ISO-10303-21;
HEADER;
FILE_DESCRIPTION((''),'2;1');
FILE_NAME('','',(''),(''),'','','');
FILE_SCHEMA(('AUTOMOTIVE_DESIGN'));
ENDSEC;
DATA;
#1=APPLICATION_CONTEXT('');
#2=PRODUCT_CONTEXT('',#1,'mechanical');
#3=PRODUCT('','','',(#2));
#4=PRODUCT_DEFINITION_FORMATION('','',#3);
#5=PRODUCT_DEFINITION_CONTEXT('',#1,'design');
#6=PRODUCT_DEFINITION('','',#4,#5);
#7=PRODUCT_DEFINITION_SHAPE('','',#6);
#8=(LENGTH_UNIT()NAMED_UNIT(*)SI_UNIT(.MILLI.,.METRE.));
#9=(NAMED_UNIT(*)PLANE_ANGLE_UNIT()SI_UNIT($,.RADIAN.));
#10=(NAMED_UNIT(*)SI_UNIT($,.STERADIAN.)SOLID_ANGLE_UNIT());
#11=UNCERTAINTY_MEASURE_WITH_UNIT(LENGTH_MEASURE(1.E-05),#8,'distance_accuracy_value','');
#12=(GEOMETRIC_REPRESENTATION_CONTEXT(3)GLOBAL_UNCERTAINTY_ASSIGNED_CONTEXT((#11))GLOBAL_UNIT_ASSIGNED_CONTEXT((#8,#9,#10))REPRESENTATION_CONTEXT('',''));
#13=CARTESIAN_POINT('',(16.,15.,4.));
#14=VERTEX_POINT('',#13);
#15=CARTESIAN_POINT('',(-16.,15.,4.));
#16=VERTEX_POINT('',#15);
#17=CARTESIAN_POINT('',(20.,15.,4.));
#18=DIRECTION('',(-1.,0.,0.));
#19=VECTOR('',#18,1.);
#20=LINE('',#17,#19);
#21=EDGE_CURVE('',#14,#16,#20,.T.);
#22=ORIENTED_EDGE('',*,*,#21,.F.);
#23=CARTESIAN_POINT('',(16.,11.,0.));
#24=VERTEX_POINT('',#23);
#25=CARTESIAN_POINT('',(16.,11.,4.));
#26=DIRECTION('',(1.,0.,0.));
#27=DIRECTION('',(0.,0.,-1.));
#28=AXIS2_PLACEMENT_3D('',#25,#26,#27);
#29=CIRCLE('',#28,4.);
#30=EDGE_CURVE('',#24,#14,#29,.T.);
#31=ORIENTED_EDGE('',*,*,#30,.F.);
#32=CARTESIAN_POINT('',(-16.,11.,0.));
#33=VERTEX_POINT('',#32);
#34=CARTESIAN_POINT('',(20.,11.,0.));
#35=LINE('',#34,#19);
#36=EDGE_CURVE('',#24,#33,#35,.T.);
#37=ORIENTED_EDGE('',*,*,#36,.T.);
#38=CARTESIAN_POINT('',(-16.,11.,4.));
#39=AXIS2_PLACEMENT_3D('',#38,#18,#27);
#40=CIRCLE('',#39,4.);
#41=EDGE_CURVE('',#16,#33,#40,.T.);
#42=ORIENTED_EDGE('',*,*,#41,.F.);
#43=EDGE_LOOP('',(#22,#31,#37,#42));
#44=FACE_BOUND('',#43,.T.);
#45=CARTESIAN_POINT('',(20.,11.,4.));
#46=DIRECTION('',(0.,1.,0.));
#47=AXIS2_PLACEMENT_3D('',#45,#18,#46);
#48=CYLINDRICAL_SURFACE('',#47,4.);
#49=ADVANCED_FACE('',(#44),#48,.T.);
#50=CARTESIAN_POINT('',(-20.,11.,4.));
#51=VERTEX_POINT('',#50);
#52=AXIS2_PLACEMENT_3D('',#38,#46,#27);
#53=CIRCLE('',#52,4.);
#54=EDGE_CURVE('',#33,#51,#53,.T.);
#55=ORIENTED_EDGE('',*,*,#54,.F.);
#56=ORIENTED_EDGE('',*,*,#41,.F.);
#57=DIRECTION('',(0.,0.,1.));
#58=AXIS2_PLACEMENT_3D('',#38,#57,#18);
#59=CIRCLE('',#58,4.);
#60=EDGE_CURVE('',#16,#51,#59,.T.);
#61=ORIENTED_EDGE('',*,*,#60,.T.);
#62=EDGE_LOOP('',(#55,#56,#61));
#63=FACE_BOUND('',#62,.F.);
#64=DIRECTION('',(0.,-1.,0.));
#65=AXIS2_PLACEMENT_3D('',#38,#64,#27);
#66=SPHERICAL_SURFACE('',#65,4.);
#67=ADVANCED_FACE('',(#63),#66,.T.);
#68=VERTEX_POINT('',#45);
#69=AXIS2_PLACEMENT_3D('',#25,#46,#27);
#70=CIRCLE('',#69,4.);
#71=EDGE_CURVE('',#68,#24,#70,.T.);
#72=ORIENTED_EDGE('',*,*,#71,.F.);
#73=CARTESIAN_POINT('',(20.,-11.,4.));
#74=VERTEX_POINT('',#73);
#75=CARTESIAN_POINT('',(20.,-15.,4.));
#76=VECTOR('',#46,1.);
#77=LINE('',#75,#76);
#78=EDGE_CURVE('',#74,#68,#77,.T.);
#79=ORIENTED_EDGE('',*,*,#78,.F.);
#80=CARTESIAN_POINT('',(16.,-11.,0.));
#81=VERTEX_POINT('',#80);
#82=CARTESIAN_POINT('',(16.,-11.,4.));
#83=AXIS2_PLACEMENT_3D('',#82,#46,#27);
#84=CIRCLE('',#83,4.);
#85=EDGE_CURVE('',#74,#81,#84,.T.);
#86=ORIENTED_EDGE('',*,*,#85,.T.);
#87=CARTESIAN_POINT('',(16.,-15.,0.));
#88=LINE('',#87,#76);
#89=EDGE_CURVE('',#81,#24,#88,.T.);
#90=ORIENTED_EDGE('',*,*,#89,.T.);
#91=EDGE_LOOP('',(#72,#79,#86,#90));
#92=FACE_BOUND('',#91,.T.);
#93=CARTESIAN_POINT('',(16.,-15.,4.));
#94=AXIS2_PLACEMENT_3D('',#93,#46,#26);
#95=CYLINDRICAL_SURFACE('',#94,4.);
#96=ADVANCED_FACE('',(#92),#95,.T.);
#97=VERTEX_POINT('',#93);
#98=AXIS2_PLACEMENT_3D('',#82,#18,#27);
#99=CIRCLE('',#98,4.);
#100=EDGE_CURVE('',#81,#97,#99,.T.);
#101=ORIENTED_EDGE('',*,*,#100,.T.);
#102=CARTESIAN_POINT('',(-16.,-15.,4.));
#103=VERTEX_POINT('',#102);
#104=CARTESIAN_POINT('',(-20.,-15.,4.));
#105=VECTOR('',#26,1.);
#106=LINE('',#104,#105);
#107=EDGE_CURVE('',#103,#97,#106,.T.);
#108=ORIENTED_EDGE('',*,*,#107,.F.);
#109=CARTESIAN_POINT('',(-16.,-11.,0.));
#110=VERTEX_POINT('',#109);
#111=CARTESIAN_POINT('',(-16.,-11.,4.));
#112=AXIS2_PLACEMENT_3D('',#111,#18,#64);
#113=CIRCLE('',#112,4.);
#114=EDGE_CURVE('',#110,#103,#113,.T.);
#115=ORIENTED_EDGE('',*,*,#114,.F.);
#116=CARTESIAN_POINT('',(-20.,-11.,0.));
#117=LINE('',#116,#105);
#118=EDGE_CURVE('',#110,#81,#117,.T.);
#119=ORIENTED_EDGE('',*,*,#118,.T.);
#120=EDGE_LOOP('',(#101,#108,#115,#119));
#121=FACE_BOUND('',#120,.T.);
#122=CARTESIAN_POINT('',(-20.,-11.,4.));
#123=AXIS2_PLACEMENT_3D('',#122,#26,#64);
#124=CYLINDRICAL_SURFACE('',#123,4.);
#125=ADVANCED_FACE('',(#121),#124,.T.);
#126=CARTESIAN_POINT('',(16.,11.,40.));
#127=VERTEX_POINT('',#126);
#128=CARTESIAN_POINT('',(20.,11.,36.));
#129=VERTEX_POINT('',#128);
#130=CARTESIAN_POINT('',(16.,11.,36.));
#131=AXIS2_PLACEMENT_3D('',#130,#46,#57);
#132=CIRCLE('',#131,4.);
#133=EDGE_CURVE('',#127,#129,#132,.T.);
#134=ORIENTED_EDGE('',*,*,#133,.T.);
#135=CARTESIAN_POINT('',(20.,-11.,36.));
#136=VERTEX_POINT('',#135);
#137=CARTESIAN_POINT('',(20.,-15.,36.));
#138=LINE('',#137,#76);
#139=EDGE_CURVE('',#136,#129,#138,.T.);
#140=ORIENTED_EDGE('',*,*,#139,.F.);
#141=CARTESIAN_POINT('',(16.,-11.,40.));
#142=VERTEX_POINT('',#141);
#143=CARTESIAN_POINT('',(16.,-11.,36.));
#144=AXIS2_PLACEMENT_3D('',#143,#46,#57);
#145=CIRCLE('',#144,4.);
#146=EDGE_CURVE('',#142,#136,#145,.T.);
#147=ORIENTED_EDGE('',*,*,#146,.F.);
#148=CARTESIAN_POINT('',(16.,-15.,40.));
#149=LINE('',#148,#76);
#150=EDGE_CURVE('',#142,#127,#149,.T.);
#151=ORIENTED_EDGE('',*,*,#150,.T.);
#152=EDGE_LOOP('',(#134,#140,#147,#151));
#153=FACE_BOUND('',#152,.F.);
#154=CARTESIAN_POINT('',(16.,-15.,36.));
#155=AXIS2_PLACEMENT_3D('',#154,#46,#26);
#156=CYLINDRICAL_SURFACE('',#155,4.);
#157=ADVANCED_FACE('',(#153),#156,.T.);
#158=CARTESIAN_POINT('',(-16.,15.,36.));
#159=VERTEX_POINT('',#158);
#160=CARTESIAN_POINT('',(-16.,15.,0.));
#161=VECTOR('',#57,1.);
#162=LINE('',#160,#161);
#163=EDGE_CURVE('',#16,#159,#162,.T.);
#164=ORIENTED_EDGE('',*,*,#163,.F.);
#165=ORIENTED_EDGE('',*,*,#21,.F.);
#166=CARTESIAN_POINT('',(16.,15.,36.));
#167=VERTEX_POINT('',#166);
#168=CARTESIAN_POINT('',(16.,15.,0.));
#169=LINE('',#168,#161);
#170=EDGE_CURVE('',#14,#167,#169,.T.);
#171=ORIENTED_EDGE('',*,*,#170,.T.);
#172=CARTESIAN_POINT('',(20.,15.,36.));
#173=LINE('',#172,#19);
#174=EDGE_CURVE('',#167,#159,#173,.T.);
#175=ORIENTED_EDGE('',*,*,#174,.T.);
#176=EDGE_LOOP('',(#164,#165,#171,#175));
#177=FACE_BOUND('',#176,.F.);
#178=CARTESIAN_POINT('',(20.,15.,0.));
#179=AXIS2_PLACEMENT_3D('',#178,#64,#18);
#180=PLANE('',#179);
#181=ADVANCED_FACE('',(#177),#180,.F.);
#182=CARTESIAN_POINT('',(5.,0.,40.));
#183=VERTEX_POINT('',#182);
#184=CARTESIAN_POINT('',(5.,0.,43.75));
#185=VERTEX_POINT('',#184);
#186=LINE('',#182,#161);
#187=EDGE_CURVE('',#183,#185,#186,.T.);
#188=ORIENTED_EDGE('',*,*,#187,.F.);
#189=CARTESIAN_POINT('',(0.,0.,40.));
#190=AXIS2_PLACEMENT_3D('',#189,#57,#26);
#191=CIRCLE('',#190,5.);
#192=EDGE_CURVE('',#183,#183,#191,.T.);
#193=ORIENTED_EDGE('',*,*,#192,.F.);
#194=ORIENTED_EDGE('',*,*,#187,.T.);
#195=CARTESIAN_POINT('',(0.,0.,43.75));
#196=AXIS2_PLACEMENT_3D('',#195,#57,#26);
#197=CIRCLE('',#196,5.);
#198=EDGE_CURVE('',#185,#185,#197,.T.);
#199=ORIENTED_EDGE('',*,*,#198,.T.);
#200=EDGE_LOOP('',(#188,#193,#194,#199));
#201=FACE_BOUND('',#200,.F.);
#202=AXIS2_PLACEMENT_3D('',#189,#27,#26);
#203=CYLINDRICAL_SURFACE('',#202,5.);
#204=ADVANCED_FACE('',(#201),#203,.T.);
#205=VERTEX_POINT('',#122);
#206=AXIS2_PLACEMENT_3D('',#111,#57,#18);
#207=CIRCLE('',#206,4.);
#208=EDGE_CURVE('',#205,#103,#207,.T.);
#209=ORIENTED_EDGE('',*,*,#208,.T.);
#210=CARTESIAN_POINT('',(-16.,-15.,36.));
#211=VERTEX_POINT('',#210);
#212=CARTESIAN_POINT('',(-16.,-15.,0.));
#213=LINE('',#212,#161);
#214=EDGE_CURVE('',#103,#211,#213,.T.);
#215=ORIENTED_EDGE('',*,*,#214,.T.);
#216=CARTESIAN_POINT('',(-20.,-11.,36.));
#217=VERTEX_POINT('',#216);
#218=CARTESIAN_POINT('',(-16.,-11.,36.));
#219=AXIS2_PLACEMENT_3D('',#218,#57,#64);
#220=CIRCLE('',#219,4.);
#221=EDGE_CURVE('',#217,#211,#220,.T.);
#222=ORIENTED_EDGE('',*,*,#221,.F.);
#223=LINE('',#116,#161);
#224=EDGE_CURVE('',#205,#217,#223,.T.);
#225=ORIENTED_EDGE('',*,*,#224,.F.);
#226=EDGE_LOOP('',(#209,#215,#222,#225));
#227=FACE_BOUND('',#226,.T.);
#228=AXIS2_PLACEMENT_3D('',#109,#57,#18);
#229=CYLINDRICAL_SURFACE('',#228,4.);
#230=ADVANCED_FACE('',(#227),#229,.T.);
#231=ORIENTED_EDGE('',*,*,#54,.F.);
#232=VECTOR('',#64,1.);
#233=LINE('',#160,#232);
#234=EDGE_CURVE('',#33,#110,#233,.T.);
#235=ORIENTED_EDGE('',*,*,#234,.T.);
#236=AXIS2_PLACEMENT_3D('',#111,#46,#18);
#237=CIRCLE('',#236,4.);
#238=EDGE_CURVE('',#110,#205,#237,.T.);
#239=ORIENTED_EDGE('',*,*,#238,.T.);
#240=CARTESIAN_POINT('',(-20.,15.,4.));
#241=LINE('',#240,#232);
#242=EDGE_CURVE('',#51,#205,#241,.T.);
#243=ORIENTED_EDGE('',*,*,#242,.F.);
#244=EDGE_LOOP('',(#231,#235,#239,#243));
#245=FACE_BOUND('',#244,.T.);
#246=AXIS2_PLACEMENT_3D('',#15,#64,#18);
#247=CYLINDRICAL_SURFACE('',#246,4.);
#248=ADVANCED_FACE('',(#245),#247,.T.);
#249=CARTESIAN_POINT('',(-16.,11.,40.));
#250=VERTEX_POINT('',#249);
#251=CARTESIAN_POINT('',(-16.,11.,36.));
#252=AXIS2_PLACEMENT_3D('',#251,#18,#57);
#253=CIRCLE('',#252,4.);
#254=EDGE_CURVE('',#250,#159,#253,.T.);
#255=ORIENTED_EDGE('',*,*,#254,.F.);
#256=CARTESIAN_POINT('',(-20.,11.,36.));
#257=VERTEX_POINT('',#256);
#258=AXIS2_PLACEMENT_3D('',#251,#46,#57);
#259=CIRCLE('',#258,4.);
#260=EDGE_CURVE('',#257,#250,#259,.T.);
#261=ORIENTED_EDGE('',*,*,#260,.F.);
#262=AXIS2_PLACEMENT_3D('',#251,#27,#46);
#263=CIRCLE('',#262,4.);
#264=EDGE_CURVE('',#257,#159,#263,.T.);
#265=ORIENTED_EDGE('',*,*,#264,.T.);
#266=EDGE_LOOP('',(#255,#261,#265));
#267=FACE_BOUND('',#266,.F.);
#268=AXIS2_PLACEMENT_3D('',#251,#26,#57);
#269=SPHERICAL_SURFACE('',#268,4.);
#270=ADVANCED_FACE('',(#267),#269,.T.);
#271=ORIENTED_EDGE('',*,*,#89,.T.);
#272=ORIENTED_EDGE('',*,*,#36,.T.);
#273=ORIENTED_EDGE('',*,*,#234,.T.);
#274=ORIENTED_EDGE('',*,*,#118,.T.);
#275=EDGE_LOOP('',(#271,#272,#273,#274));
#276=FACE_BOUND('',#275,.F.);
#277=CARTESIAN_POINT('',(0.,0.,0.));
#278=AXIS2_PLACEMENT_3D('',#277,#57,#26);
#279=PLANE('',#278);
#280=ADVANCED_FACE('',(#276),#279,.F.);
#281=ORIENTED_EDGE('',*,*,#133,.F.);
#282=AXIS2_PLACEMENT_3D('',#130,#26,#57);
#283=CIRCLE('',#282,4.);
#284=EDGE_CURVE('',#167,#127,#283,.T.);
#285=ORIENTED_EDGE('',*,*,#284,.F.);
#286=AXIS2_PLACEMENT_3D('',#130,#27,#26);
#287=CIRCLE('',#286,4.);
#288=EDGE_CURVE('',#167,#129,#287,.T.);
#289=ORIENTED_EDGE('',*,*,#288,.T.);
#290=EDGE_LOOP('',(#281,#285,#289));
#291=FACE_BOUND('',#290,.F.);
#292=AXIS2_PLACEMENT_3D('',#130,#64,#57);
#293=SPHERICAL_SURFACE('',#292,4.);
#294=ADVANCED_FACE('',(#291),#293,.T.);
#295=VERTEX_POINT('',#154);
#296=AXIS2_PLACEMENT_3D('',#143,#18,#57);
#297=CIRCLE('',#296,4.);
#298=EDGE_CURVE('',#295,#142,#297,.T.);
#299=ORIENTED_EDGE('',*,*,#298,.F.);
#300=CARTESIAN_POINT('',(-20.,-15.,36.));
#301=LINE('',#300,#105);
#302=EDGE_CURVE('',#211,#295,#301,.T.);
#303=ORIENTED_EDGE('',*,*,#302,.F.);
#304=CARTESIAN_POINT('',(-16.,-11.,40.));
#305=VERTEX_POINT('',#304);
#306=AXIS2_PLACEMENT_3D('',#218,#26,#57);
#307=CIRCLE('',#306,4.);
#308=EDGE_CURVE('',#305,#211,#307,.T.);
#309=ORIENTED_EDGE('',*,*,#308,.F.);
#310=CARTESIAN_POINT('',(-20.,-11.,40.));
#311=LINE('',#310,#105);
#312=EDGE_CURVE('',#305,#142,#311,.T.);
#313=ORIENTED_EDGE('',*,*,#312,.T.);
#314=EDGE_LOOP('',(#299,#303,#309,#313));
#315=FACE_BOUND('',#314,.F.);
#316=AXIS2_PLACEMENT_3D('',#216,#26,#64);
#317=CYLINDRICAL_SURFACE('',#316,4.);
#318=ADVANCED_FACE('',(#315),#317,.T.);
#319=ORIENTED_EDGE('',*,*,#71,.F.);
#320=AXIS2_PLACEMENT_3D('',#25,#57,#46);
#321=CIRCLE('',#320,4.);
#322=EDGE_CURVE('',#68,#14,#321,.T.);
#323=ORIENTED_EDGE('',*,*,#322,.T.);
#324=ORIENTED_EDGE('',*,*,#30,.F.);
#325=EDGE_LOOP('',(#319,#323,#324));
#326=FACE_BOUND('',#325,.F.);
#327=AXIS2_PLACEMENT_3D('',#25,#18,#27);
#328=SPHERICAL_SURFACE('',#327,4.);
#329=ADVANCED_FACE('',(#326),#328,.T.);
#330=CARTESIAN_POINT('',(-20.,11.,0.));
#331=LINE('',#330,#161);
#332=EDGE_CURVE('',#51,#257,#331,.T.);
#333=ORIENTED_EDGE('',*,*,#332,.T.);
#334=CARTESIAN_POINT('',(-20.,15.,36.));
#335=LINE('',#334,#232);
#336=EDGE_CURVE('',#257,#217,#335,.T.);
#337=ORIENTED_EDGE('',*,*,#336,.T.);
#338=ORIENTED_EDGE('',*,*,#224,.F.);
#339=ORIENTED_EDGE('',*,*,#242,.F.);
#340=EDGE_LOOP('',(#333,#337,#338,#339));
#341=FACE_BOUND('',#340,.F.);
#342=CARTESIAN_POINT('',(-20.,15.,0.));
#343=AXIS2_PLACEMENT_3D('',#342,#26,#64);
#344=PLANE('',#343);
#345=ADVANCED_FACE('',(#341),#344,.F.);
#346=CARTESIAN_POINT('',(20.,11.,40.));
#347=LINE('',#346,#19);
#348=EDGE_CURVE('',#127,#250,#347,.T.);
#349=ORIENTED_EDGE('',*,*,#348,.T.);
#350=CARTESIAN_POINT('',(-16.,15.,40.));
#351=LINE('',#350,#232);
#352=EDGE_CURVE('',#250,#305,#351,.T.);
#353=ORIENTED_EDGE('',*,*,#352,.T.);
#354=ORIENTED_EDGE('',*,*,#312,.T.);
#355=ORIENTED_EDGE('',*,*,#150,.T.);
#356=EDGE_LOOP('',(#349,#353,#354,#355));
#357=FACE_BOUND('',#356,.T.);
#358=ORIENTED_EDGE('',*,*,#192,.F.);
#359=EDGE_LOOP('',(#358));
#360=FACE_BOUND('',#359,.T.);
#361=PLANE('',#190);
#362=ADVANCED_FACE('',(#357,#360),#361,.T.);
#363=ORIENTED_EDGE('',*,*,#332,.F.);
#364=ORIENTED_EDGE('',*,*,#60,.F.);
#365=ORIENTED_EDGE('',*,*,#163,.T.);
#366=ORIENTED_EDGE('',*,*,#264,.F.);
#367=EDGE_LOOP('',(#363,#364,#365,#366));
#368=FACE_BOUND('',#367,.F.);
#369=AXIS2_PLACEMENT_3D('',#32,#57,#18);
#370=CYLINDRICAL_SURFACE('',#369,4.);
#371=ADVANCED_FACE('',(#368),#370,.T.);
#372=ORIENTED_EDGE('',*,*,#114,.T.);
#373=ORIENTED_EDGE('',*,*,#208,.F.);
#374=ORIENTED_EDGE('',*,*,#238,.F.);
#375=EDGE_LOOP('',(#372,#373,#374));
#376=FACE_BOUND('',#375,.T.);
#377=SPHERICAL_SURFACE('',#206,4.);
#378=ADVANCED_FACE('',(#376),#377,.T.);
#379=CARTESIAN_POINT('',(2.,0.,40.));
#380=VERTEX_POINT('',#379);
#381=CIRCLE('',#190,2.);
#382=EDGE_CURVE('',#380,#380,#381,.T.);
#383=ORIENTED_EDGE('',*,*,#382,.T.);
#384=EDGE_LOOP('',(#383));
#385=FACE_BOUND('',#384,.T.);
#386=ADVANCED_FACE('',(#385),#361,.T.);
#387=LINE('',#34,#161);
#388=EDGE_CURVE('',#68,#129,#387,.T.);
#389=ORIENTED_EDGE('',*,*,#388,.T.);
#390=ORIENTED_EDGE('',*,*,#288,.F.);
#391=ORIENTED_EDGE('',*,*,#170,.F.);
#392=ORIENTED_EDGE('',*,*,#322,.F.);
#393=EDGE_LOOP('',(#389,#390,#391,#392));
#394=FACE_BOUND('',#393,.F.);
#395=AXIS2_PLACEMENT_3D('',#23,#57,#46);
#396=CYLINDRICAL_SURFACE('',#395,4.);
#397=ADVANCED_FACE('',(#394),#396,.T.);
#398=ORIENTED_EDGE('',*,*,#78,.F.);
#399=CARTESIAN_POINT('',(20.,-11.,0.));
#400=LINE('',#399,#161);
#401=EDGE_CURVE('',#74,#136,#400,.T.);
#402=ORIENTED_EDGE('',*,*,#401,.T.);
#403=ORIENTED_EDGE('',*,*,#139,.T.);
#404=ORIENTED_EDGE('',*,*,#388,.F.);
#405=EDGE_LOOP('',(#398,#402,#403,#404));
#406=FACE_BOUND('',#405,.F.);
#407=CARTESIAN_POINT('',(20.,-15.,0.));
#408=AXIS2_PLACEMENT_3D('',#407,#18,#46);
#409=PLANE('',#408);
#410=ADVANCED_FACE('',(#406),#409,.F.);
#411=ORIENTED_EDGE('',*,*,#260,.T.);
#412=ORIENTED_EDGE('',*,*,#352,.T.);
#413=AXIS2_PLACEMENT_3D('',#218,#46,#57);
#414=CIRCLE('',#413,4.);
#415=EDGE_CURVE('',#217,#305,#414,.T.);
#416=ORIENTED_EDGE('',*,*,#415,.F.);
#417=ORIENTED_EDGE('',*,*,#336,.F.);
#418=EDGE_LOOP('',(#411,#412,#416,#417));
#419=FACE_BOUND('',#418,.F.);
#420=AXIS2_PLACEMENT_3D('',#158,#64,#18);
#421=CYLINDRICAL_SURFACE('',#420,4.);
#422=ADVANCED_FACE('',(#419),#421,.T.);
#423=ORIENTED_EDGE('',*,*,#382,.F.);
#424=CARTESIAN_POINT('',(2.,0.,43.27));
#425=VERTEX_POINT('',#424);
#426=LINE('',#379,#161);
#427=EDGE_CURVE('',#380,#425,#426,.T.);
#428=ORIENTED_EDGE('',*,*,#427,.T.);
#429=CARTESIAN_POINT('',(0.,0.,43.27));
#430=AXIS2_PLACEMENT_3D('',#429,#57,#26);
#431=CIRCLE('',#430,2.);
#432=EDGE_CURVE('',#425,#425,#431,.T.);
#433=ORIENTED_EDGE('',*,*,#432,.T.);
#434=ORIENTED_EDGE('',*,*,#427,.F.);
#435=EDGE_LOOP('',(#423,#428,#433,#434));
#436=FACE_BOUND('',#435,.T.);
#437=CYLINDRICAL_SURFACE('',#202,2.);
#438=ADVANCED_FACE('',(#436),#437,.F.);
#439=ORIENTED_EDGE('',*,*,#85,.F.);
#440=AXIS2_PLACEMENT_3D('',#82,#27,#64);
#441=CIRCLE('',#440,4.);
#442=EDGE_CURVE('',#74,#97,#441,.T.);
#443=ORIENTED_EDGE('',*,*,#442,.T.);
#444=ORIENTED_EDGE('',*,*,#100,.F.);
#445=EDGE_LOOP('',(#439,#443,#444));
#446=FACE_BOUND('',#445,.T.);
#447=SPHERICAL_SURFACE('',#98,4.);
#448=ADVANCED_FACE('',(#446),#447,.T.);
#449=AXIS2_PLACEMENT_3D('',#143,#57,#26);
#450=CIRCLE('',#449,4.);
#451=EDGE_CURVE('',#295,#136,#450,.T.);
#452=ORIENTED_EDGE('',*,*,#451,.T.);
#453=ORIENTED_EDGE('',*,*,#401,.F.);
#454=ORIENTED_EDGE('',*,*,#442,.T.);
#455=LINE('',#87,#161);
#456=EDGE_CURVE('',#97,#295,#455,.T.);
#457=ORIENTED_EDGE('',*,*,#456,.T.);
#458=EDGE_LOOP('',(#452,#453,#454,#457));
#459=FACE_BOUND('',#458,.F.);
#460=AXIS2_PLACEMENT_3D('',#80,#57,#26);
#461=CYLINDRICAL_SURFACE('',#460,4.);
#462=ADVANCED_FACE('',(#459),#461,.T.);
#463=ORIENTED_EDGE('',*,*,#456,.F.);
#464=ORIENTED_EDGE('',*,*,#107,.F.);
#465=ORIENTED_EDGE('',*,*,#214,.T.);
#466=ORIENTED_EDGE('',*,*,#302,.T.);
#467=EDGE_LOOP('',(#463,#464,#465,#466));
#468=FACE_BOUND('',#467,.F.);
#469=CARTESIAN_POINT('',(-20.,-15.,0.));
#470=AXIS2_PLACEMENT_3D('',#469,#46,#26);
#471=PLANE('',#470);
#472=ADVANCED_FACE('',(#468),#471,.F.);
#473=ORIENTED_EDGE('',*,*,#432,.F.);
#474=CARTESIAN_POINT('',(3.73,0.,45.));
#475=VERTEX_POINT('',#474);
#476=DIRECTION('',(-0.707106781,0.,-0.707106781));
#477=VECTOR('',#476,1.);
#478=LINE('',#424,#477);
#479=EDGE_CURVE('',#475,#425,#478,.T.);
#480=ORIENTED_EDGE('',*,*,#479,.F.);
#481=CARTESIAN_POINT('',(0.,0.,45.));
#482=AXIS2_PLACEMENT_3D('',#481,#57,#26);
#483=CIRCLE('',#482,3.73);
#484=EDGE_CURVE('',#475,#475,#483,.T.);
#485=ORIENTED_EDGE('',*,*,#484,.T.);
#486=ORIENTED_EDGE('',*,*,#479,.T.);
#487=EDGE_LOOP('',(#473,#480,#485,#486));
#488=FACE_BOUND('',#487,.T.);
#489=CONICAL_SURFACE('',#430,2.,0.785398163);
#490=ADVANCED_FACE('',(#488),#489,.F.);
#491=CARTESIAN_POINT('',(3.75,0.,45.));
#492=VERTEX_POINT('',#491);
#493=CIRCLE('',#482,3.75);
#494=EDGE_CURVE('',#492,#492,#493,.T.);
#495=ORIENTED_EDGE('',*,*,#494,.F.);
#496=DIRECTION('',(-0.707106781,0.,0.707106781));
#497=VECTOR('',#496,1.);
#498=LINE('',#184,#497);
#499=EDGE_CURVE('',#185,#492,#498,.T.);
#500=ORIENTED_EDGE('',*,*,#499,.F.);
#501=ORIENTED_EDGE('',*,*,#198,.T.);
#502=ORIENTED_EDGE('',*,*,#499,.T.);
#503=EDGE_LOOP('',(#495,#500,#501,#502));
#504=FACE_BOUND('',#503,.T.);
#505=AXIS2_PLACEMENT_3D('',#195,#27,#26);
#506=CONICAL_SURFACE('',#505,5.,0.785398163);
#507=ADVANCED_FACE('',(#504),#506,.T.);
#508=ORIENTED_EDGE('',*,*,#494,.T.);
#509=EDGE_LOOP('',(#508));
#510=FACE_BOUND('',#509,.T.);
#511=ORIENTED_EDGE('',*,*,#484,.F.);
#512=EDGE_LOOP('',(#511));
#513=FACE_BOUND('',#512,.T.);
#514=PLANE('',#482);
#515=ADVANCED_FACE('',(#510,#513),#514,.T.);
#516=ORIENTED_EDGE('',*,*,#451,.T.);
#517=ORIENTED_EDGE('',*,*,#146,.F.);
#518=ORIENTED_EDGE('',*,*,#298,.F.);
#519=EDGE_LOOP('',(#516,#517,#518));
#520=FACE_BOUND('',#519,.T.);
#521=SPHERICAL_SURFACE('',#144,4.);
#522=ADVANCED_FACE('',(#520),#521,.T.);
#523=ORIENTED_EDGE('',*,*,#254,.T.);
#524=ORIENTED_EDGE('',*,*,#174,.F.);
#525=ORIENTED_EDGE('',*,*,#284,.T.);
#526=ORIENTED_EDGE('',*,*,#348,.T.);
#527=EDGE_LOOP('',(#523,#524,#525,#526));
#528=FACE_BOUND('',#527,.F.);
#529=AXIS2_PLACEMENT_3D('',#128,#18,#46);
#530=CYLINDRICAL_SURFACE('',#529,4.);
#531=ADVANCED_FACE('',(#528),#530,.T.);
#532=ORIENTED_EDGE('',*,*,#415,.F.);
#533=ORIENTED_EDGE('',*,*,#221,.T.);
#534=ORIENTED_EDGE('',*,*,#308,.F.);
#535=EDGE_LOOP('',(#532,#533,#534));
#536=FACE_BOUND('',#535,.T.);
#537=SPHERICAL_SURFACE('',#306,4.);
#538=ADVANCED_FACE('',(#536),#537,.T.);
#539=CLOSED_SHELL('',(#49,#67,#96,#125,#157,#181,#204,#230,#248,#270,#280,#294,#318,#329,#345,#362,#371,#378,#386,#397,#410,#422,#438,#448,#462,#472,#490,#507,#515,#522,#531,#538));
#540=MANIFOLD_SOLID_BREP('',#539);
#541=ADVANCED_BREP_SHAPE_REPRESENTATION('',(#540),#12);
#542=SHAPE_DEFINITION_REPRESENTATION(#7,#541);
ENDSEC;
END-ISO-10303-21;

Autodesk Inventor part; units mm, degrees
ref_plane "YZ Plane" through (0, 0, 0) normal (1, 0, 0) x (0, 1, 0)
ref_plane "XZ Plane" through (0, 0, 0) normal (0, 1, 0) x (-1, 0, 0)
ref_plane "XY Plane" through (0, 0, 0) normal (0, 0, 1) x (1, 0, 0)
sketch "Esboço1" plane through (0, 0, 0) normal (0, 0, 1) x (1, 0, 0)
  line L0 (-20, -15) -> (20, -15)
  line L1 (20, -15) -> (20, 15)
  line L2 (20, 15) -> (-20, 15)
  line L3 (-20, 15) -> (-20, -15)
  line L4 (-20, -15) -> (20, 15) construction
  line L5 (20, -15) -> (-20, 15) construction
  point P0 (0, 0)
  dimension "d0" = 30
  dimension "d1" = 40
extrude "Extrusão1" add sketch "Esboço1" along normal blind 40
fillet "Arredondamento1" radius 4 12 edges at (20, 0, 40) (0, 15, 40) (0, -15, 40) (-20, 0, 40) (-20, -15, 20) (-20, 0, 0) (0, 15, 0) (-20, 15, 20) (0, -15, 0) (20, 0, 0) (20, 15, 20) (20, -15, 20)
sketch "Esboço2" plane through (0, 0, 40) normal (0, 0, 1) x (1, 0, 0)
  circle A0 centre (0, 0) radius 5
  circle A1 centre (0, 0) radius 2
  dimension "d5" = 10
  dimension "d8" = 3
extrude "Extrusão2" add sketch "Esboço2" along normal blind 5 contours A0 | A1
extrude "Extrusão3" cut sketch "Esboço2" along normal blind 5 contours A1
chamfer "Chanfro1" distance 1.25 angle 45 1 edges at (-5, 0, 45)
chamfer "Chanfro2" distance 1.73 angle 45 1 edges at (-2, 0, 45)
properties part number "fonte IC"
